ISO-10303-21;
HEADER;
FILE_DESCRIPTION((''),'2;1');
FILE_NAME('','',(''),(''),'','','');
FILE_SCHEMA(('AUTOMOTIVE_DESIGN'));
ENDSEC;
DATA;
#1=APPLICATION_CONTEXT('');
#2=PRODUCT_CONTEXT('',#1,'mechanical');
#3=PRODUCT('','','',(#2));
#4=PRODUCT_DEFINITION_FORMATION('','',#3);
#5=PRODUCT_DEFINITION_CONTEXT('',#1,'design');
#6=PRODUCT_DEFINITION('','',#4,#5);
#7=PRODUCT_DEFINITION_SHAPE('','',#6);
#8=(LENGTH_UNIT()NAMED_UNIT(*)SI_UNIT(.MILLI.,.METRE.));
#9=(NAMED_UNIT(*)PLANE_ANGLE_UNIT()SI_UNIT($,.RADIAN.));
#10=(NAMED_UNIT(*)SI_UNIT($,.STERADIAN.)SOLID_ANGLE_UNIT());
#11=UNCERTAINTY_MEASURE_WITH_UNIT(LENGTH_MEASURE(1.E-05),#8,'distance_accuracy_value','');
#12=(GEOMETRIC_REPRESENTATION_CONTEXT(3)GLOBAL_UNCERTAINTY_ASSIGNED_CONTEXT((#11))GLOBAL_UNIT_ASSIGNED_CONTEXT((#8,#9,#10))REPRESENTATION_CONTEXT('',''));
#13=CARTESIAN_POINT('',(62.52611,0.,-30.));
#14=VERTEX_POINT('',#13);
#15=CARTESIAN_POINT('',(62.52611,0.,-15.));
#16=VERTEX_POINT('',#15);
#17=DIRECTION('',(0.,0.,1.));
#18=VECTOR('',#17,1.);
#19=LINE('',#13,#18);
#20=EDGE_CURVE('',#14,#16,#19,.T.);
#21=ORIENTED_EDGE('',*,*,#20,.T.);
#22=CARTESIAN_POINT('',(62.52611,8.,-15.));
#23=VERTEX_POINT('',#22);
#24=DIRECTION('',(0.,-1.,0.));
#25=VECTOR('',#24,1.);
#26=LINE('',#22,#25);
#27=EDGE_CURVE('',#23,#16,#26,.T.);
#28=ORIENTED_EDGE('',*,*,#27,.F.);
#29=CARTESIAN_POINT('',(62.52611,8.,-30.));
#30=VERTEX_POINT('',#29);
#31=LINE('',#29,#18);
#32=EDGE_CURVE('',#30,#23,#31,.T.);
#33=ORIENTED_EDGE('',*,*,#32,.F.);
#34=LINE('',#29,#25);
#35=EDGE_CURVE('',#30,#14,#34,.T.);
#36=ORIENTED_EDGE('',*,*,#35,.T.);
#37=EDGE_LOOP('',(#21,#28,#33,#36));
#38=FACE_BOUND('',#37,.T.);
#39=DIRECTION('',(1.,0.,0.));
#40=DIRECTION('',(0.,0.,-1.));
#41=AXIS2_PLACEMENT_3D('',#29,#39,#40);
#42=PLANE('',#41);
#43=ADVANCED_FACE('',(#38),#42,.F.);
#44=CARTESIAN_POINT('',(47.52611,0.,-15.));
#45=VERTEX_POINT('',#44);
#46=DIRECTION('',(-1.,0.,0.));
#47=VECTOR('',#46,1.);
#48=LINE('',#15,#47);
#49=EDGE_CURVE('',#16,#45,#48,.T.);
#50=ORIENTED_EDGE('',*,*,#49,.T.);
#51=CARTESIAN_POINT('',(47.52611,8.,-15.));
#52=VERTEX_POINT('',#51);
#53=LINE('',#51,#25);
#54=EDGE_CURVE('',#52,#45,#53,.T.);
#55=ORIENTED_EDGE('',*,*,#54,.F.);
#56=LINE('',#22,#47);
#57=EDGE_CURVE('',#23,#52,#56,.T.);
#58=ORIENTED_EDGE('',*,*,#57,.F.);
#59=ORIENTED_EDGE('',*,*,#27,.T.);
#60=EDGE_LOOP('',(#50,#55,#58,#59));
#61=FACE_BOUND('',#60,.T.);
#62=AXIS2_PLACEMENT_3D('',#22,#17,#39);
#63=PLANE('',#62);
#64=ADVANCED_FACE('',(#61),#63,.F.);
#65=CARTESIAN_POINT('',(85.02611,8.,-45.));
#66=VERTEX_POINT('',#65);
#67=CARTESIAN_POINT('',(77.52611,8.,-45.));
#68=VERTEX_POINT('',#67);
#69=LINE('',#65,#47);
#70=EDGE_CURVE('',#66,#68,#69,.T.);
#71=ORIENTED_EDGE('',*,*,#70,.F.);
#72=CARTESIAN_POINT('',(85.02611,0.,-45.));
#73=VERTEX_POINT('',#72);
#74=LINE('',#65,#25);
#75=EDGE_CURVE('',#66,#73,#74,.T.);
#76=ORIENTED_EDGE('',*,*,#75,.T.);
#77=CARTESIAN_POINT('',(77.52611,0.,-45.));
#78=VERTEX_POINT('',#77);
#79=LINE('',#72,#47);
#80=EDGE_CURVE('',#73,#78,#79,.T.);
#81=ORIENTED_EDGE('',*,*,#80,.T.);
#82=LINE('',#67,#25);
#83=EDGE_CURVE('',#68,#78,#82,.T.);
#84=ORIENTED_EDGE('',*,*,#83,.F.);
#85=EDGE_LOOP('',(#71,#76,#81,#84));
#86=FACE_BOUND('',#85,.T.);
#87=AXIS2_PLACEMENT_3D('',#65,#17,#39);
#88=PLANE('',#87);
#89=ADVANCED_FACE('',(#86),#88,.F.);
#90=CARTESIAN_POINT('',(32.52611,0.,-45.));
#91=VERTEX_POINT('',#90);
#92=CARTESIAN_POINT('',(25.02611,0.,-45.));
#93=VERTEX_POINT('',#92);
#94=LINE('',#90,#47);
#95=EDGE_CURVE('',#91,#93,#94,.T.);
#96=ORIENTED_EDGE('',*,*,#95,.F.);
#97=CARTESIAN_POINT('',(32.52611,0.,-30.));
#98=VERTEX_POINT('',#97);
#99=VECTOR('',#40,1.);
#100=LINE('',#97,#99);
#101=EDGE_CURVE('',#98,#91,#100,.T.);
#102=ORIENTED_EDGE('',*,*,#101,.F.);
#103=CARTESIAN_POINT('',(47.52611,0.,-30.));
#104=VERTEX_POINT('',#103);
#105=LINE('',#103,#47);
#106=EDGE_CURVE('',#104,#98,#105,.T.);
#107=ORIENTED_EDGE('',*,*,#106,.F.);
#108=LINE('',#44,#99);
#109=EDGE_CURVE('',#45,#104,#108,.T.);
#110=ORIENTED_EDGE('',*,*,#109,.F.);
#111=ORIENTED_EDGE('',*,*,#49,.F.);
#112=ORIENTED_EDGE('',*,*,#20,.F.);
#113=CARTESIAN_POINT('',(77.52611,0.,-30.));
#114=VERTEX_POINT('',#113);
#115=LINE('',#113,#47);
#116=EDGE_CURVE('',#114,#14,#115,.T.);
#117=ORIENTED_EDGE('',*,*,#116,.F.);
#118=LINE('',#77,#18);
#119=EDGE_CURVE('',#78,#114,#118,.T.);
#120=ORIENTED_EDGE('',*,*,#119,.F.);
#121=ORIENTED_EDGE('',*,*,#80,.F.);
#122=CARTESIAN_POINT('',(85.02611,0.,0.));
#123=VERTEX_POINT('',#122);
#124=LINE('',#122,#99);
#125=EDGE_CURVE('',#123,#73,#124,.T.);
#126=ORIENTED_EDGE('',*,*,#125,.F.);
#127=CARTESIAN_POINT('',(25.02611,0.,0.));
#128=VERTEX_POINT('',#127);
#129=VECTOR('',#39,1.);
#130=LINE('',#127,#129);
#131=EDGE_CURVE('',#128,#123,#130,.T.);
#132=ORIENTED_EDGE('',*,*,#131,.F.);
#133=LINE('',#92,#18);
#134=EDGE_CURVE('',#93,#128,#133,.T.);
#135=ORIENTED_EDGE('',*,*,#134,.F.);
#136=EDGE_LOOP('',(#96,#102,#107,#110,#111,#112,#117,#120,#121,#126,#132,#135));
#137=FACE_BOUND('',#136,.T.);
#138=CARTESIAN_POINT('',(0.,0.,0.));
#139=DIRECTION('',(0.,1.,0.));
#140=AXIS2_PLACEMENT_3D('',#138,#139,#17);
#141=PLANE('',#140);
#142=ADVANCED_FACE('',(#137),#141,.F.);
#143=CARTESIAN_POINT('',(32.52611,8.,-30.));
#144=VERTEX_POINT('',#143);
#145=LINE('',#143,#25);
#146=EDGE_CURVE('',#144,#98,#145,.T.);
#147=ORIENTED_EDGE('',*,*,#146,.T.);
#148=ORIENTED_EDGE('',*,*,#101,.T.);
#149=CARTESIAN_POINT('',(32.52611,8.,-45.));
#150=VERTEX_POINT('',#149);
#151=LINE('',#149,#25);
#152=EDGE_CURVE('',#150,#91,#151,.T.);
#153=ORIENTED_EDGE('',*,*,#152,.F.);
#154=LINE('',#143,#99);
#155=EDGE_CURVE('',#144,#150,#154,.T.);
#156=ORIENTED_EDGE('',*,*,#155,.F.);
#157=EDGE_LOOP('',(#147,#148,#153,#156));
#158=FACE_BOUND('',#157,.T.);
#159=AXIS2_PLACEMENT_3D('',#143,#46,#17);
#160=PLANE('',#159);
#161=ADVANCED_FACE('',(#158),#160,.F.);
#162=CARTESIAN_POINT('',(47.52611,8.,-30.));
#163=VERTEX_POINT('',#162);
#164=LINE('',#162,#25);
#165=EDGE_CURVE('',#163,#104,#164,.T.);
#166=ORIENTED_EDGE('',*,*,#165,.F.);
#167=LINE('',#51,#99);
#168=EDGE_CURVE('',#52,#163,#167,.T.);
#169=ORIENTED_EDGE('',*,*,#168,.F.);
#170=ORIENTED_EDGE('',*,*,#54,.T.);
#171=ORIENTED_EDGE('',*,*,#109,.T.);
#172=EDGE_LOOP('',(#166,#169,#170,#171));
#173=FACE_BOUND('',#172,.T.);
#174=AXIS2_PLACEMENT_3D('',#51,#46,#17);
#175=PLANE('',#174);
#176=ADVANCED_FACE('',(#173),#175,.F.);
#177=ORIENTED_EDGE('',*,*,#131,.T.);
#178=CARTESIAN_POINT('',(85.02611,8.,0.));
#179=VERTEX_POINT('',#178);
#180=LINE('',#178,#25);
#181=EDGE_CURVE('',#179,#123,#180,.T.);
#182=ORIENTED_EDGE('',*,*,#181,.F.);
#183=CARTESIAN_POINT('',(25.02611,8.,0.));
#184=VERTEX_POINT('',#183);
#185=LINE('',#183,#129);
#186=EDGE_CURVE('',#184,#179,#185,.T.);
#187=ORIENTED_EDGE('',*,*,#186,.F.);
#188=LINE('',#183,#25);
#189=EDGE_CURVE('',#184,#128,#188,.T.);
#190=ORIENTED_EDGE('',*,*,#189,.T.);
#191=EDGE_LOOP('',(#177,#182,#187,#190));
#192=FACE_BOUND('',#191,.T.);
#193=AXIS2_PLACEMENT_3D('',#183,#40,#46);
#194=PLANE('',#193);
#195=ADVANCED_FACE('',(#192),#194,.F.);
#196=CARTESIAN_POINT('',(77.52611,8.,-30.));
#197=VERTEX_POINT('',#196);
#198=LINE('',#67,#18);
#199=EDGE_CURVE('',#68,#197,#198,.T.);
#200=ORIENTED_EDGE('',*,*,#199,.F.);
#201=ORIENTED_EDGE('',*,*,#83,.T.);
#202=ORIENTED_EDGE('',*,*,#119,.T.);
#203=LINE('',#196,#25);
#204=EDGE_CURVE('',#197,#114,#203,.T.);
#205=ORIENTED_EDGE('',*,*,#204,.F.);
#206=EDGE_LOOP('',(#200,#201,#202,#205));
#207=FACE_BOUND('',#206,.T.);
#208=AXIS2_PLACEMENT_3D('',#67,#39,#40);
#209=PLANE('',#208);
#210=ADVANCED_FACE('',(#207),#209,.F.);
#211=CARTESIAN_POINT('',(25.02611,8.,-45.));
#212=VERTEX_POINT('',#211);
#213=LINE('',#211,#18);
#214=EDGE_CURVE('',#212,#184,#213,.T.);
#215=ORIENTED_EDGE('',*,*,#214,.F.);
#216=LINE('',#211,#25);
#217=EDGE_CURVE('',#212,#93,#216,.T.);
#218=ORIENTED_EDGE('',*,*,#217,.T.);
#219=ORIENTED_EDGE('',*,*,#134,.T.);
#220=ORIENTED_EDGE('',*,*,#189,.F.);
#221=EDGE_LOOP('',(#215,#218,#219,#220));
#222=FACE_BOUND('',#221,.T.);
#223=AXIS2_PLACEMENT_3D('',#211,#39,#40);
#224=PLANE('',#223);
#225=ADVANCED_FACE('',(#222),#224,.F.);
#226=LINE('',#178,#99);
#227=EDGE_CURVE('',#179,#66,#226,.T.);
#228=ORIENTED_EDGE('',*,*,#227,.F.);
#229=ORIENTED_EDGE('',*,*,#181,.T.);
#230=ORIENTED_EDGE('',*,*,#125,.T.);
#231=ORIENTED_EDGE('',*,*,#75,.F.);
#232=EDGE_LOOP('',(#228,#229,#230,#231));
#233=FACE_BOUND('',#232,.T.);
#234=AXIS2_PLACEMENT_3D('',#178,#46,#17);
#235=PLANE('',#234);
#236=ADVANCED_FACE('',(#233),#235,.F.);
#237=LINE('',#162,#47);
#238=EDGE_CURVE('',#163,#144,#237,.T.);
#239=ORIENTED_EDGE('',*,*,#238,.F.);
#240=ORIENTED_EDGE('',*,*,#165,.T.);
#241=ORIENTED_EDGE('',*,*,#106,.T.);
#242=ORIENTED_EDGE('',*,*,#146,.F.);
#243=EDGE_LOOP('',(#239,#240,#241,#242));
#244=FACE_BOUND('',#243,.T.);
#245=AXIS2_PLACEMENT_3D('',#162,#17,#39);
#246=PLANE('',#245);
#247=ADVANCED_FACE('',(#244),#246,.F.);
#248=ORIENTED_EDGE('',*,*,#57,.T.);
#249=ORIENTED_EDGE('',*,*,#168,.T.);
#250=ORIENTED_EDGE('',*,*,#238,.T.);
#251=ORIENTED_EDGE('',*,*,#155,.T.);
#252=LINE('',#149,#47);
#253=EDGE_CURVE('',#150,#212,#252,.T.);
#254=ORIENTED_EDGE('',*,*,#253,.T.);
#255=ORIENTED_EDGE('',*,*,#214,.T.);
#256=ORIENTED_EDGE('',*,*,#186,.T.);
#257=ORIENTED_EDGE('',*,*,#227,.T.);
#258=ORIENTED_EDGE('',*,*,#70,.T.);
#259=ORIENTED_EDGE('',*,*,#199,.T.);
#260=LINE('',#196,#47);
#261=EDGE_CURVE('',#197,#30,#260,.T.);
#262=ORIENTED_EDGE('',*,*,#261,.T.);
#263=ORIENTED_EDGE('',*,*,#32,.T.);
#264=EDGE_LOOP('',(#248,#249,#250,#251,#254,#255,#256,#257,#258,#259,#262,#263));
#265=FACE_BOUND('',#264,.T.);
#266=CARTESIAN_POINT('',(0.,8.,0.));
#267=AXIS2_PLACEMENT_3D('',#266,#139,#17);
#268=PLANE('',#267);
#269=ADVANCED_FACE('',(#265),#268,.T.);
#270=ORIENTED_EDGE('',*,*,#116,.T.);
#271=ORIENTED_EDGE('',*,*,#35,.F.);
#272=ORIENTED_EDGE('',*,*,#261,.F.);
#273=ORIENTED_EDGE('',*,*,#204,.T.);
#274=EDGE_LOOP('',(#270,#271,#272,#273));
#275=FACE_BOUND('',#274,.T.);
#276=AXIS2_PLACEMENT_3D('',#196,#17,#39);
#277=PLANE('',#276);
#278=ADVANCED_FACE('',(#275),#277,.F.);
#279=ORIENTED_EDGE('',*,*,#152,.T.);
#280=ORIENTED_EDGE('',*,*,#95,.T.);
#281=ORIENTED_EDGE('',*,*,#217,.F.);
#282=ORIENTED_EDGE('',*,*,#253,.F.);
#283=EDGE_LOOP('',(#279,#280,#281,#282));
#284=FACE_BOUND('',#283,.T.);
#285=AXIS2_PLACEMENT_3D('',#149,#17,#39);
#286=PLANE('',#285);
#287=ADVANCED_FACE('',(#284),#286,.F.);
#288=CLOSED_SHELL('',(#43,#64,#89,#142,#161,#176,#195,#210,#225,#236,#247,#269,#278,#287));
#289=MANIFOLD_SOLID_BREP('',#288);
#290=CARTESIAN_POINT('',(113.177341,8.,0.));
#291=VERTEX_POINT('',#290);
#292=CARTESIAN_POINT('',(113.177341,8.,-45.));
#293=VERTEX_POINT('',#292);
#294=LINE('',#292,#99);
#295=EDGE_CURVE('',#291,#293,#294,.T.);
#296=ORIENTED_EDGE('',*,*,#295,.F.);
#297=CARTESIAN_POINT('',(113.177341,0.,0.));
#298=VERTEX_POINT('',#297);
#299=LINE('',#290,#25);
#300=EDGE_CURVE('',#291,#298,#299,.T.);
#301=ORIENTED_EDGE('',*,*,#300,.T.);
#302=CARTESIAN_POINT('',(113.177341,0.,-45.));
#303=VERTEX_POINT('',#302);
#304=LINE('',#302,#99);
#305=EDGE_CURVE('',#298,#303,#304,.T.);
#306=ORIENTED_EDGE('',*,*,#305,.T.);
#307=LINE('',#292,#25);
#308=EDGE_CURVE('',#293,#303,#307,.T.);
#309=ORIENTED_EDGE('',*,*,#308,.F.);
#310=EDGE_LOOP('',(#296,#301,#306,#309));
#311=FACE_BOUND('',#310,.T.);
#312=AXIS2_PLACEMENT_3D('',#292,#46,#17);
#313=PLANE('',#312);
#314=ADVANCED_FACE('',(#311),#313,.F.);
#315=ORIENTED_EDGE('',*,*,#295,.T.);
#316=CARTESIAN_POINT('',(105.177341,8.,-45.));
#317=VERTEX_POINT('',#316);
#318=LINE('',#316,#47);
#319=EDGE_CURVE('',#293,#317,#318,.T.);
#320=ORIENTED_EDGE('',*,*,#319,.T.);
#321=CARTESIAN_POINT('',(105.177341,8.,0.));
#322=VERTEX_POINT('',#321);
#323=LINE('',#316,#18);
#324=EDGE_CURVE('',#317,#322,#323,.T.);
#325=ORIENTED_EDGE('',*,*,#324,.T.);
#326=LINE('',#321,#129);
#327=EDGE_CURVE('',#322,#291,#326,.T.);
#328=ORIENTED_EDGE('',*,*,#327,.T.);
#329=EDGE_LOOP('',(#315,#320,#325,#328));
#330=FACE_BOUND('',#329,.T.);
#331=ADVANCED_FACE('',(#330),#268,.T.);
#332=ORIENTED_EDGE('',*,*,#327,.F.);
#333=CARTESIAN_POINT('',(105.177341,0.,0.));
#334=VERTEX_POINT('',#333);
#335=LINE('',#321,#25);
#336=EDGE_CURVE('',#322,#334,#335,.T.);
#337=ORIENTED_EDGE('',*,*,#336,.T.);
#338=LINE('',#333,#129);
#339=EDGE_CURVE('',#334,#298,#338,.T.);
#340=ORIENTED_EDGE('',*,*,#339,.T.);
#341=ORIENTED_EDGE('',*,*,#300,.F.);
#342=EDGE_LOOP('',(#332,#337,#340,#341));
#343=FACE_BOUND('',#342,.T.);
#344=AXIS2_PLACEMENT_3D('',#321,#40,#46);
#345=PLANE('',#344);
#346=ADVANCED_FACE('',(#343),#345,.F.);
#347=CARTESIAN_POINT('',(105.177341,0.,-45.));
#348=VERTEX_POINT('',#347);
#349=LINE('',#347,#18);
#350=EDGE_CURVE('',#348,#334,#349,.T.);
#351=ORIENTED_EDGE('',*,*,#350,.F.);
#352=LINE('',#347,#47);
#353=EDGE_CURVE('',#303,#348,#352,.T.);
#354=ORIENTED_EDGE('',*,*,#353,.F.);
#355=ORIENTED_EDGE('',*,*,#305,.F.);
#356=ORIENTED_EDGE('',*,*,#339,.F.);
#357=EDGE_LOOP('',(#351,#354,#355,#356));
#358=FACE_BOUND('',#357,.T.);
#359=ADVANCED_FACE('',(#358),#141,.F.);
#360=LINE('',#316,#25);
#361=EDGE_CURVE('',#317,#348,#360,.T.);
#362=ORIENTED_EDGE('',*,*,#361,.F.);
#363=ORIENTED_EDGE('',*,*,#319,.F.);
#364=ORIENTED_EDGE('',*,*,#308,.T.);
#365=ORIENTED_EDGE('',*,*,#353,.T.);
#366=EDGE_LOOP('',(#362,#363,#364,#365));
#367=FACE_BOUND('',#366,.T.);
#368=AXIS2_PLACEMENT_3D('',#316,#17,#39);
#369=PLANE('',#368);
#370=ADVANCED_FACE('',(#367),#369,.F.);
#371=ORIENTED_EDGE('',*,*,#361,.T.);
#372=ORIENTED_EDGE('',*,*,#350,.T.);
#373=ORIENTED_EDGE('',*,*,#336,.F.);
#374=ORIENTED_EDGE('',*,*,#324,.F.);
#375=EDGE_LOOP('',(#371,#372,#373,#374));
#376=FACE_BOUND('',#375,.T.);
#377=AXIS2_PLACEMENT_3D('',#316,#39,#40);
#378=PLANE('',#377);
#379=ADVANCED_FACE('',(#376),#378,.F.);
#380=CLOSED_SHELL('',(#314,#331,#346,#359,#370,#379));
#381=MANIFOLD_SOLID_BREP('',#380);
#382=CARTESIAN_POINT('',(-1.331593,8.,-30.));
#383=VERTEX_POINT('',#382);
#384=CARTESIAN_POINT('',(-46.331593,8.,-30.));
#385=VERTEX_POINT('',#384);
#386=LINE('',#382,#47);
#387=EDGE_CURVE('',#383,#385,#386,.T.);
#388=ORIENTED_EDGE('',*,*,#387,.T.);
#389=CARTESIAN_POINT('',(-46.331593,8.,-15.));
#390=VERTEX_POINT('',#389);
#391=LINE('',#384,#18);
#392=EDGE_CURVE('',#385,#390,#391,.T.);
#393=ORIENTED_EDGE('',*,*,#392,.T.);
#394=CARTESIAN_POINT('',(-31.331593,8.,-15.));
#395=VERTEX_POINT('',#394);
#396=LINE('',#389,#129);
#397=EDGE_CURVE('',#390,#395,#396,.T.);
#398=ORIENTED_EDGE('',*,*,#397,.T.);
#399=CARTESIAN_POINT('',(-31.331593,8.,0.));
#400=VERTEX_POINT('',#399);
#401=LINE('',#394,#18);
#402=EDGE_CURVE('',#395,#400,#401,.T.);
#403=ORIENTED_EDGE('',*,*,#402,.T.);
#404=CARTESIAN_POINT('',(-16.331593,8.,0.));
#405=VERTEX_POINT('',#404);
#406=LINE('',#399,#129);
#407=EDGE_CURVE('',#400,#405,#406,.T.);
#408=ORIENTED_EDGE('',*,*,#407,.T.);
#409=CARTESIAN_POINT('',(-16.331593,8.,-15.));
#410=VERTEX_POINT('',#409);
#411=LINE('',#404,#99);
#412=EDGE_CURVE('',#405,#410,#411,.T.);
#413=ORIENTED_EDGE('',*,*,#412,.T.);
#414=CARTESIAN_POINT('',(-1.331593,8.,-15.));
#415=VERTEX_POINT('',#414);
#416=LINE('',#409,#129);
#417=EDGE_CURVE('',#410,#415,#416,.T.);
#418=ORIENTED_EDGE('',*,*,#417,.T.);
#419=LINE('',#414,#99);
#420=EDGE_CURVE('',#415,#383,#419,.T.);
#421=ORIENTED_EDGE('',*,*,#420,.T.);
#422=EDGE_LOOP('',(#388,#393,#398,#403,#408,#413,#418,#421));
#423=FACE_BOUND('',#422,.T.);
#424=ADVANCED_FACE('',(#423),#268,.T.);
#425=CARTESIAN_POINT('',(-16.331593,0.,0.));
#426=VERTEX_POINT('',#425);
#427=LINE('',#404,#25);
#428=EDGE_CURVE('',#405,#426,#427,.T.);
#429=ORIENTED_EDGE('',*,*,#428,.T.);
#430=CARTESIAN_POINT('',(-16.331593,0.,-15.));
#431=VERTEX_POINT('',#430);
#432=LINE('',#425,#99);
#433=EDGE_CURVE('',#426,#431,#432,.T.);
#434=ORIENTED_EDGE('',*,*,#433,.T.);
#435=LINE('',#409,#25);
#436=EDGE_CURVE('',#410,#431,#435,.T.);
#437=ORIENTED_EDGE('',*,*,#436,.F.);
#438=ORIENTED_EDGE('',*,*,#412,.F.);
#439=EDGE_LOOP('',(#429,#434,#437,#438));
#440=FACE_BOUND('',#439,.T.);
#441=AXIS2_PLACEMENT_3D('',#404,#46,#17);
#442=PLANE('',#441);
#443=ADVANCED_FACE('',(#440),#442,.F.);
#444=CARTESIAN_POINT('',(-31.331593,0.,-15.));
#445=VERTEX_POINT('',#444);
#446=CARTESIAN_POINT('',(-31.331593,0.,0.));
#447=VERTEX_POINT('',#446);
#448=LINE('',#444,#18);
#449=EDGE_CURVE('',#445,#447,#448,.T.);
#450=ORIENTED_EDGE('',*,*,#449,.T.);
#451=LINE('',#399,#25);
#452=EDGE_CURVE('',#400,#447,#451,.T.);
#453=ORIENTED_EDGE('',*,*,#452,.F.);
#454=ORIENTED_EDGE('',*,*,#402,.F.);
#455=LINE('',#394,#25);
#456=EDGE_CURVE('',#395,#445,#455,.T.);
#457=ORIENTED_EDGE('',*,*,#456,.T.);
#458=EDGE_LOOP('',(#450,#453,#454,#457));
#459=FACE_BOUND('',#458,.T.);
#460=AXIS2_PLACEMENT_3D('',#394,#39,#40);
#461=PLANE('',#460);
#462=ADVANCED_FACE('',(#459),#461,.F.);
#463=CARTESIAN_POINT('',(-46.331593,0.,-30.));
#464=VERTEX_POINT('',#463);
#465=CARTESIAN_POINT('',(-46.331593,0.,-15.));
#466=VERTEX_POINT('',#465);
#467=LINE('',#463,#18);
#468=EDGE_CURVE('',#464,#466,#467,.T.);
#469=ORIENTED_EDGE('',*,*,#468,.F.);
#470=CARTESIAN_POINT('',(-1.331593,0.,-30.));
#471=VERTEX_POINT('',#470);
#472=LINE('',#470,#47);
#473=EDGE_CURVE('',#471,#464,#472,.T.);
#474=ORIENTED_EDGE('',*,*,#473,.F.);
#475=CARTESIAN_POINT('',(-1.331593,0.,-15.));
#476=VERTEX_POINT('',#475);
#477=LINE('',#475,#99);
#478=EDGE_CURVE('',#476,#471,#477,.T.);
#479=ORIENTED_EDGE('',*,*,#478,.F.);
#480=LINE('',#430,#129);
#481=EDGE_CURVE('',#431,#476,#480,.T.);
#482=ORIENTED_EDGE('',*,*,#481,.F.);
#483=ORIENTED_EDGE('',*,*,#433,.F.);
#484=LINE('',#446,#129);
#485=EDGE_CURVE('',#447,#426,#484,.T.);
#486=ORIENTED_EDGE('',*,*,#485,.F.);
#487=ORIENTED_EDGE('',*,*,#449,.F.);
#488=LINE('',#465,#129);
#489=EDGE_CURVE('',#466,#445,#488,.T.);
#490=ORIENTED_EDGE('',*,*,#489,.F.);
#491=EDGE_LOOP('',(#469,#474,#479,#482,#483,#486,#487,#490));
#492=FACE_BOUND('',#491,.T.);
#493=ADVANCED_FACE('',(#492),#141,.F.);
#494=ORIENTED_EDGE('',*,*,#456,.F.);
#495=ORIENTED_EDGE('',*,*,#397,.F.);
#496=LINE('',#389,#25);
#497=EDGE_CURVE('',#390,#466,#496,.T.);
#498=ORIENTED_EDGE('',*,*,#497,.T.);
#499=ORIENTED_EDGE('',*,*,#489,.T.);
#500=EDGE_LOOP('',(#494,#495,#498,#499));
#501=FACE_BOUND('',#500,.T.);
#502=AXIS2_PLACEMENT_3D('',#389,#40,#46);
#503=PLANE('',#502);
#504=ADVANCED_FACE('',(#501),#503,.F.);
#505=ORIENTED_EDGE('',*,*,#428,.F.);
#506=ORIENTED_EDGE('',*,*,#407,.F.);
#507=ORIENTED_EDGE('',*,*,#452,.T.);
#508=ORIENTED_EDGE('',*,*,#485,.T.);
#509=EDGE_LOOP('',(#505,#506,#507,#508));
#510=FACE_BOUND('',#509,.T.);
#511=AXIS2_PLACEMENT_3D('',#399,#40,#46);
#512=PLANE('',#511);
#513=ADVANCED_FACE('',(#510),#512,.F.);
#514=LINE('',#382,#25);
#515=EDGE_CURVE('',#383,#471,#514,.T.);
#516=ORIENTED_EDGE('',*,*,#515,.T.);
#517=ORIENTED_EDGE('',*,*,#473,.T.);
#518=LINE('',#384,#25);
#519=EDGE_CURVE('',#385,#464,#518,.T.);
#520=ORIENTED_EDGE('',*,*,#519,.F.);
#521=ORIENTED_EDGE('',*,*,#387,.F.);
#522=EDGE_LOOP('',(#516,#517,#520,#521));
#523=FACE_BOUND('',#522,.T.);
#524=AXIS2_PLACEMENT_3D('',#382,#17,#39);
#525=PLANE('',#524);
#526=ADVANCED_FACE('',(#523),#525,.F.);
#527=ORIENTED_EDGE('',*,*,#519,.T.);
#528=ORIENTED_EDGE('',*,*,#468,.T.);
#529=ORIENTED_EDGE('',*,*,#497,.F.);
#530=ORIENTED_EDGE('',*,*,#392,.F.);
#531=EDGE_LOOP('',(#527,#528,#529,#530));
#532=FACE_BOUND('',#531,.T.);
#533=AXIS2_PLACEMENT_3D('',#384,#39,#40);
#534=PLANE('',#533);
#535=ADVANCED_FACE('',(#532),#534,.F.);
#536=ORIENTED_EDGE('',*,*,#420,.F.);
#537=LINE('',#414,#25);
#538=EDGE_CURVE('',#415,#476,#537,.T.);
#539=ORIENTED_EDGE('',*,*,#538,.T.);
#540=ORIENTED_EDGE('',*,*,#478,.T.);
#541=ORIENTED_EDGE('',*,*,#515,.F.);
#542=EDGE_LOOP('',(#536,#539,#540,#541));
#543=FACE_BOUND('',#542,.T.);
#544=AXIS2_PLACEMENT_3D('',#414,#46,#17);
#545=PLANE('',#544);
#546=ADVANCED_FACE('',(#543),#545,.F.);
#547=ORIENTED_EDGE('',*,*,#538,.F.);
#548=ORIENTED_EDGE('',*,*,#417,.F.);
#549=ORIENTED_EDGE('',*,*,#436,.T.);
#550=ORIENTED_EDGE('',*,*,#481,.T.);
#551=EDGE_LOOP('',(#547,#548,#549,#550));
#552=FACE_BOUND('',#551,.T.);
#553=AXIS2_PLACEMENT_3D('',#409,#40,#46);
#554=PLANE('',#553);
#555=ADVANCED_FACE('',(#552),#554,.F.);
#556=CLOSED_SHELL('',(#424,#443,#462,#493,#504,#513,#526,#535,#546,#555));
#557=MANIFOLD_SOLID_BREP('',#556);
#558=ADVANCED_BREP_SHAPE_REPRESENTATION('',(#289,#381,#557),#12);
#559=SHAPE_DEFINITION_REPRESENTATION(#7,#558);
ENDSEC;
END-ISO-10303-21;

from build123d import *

# Parameters (mm, degrees)
BOSS_EXTRUDE1_DEPTH   = 8
BOSS_EXTRUDE1_2_DEPTH = 8
SKETCH1_W             = 8
SKETCH1_H             = 45
BOSS_EXTRUDE1_3_DEPTH = 8


with BuildPart() as part:
    # Sketch1 → Boss-Extrude1 (new body)
    with BuildSketch(Plane(origin=(0, 0, 0), x_dir=(1, 0, 0), z_dir=(0, 1, 0))):
        Polygon((-31.331592689, 0), (-16.331592689, 0), (-16.331592689, 15), (-1.331592689, 15), (-1.331592689, 30), (-46.331592689, 30), (-46.331592689, 15), (-31.331592689, 15), align=None)
    extrude(amount=BOSS_EXTRUDE1_DEPTH)


with BuildPart() as body_2:
    # Sketch1 → Boss-Extrude1 2 (new body)
    with BuildSketch(Plane(origin=(0, 0, 0), x_dir=(1, 0, 0), z_dir=(0, 1, 0))):
        Polygon((25.026109661, 45), (25.026109661, 0), (85.026109661, 0), (85.026109661, 45), (77.526109661, 45), (77.526109661, 30), (62.526109661, 30), (62.526109661, 15), (47.526109661, 15), (47.526109661, 30), (32.526109661, 30), (32.526109661, 45), align=None)
    extrude(amount=BOSS_EXTRUDE1_2_DEPTH)


with BuildPart() as body_3:
    # Sketch1 → Boss-Extrude1 3 (new body)
    with BuildSketch(Plane(origin=(0, 0, 0), x_dir=(1, 0, 0), z_dir=(0, 1, 0))):
        with Locations((109.177341044, 22.5)):
            Rectangle(SKETCH1_W, SKETCH1_H)
    extrude(amount=BOSS_EXTRUDE1_3_DEPTH)


solid = Compound([part.part, body_2.part, body_3.part])
